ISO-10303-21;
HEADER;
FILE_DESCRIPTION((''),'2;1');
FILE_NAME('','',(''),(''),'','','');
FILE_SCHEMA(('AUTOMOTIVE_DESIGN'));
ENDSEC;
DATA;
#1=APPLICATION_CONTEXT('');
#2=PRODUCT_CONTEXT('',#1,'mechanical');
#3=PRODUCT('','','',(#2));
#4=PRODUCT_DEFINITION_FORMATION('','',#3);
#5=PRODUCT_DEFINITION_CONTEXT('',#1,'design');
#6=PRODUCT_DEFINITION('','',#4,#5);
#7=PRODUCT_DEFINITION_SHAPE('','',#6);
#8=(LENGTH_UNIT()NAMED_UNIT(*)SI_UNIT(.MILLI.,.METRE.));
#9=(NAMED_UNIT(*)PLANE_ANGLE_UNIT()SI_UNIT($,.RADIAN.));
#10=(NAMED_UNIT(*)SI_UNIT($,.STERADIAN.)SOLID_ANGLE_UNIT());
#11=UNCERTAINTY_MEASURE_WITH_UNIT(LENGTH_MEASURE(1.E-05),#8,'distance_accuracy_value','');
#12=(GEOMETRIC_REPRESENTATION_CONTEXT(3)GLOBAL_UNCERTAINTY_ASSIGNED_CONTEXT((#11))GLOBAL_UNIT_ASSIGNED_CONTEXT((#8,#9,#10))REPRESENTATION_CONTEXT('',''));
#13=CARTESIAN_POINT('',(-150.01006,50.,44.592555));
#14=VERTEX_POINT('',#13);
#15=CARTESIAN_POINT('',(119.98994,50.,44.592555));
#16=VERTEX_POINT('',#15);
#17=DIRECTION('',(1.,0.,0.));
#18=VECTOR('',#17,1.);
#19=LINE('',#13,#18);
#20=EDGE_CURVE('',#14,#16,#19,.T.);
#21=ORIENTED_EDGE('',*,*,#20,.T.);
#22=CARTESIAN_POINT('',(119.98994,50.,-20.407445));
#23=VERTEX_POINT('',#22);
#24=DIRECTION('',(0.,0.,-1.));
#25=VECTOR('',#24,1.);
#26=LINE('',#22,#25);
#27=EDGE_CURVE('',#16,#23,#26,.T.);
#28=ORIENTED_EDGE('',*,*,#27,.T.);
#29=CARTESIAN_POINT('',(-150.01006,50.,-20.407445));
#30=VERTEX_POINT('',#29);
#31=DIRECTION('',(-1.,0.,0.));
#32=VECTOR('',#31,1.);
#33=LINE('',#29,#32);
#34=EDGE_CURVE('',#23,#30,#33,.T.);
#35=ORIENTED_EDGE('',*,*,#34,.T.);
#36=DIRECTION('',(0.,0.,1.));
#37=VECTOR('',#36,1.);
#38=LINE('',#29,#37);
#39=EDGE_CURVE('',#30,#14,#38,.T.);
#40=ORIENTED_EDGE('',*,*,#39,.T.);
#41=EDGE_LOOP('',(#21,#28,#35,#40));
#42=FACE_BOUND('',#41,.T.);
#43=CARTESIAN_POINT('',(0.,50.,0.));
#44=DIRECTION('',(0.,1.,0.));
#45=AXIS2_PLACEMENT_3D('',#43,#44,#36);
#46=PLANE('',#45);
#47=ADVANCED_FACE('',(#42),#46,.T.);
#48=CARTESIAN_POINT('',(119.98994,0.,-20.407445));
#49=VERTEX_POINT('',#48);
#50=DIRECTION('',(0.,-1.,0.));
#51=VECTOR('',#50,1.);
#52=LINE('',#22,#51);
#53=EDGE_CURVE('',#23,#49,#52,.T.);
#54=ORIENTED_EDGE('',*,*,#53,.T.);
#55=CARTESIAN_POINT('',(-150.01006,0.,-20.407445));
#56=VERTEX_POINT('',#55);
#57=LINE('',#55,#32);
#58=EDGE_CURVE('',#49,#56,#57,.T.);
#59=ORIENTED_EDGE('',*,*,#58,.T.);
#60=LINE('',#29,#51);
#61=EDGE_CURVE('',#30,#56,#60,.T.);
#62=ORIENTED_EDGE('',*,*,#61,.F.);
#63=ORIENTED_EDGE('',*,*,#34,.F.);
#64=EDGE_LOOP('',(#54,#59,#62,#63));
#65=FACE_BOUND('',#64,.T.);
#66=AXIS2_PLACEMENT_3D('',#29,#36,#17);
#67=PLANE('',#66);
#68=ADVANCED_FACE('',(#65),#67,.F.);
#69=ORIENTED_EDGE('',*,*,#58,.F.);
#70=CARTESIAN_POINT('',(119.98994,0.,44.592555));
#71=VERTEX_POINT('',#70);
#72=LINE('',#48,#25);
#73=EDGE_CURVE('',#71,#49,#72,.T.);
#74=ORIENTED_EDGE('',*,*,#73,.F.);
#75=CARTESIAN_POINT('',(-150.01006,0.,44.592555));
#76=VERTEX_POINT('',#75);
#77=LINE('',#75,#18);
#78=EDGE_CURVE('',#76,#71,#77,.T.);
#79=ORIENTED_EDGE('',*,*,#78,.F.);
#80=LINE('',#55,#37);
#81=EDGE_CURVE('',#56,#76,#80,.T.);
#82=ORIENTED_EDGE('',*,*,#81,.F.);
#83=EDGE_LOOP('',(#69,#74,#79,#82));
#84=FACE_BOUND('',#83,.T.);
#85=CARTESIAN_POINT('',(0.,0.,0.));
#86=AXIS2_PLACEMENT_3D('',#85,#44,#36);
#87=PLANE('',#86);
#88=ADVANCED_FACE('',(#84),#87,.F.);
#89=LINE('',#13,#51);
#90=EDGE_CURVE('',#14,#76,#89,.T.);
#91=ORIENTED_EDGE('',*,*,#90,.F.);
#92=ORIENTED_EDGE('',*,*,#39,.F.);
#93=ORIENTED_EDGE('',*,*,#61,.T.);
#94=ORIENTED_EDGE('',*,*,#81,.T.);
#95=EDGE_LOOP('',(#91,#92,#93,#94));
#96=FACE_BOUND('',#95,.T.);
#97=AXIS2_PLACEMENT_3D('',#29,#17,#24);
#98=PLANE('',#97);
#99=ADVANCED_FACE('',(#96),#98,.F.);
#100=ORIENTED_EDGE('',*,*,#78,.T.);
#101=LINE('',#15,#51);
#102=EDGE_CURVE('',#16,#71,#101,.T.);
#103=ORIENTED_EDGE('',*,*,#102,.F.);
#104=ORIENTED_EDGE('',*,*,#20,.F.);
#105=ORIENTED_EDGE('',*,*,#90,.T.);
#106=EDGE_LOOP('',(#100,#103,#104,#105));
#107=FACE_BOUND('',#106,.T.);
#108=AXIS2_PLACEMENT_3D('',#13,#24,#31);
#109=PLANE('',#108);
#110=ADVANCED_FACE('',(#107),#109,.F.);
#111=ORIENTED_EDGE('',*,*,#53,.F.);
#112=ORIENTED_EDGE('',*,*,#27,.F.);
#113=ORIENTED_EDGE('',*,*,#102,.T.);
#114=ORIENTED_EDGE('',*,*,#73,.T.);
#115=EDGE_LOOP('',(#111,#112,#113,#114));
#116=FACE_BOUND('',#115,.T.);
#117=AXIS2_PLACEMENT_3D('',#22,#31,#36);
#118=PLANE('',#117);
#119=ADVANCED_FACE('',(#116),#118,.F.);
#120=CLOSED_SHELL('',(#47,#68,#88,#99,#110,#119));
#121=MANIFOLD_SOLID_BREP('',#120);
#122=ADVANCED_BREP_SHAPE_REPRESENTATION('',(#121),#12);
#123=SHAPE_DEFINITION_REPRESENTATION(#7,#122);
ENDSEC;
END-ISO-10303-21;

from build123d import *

# Parameters (mm, degrees)
SKETCH1_W           = 270
SKETCH1_H           = 65
BOSS_EXTRUDE1_DEPTH = 50


with BuildPart() as part:
    # Sketch1 → Boss-Extrude1 (new body)
    with BuildSketch(Plane(origin=(0, 0, 0), x_dir=(1, 0, 0), z_dir=(0, 1, 0))):
        with Locations((-15.010060362, -12.092555332)):
            Rectangle(SKETCH1_W, SKETCH1_H)
    extrude(amount=BOSS_EXTRUDE1_DEPTH)


solid = part.part
